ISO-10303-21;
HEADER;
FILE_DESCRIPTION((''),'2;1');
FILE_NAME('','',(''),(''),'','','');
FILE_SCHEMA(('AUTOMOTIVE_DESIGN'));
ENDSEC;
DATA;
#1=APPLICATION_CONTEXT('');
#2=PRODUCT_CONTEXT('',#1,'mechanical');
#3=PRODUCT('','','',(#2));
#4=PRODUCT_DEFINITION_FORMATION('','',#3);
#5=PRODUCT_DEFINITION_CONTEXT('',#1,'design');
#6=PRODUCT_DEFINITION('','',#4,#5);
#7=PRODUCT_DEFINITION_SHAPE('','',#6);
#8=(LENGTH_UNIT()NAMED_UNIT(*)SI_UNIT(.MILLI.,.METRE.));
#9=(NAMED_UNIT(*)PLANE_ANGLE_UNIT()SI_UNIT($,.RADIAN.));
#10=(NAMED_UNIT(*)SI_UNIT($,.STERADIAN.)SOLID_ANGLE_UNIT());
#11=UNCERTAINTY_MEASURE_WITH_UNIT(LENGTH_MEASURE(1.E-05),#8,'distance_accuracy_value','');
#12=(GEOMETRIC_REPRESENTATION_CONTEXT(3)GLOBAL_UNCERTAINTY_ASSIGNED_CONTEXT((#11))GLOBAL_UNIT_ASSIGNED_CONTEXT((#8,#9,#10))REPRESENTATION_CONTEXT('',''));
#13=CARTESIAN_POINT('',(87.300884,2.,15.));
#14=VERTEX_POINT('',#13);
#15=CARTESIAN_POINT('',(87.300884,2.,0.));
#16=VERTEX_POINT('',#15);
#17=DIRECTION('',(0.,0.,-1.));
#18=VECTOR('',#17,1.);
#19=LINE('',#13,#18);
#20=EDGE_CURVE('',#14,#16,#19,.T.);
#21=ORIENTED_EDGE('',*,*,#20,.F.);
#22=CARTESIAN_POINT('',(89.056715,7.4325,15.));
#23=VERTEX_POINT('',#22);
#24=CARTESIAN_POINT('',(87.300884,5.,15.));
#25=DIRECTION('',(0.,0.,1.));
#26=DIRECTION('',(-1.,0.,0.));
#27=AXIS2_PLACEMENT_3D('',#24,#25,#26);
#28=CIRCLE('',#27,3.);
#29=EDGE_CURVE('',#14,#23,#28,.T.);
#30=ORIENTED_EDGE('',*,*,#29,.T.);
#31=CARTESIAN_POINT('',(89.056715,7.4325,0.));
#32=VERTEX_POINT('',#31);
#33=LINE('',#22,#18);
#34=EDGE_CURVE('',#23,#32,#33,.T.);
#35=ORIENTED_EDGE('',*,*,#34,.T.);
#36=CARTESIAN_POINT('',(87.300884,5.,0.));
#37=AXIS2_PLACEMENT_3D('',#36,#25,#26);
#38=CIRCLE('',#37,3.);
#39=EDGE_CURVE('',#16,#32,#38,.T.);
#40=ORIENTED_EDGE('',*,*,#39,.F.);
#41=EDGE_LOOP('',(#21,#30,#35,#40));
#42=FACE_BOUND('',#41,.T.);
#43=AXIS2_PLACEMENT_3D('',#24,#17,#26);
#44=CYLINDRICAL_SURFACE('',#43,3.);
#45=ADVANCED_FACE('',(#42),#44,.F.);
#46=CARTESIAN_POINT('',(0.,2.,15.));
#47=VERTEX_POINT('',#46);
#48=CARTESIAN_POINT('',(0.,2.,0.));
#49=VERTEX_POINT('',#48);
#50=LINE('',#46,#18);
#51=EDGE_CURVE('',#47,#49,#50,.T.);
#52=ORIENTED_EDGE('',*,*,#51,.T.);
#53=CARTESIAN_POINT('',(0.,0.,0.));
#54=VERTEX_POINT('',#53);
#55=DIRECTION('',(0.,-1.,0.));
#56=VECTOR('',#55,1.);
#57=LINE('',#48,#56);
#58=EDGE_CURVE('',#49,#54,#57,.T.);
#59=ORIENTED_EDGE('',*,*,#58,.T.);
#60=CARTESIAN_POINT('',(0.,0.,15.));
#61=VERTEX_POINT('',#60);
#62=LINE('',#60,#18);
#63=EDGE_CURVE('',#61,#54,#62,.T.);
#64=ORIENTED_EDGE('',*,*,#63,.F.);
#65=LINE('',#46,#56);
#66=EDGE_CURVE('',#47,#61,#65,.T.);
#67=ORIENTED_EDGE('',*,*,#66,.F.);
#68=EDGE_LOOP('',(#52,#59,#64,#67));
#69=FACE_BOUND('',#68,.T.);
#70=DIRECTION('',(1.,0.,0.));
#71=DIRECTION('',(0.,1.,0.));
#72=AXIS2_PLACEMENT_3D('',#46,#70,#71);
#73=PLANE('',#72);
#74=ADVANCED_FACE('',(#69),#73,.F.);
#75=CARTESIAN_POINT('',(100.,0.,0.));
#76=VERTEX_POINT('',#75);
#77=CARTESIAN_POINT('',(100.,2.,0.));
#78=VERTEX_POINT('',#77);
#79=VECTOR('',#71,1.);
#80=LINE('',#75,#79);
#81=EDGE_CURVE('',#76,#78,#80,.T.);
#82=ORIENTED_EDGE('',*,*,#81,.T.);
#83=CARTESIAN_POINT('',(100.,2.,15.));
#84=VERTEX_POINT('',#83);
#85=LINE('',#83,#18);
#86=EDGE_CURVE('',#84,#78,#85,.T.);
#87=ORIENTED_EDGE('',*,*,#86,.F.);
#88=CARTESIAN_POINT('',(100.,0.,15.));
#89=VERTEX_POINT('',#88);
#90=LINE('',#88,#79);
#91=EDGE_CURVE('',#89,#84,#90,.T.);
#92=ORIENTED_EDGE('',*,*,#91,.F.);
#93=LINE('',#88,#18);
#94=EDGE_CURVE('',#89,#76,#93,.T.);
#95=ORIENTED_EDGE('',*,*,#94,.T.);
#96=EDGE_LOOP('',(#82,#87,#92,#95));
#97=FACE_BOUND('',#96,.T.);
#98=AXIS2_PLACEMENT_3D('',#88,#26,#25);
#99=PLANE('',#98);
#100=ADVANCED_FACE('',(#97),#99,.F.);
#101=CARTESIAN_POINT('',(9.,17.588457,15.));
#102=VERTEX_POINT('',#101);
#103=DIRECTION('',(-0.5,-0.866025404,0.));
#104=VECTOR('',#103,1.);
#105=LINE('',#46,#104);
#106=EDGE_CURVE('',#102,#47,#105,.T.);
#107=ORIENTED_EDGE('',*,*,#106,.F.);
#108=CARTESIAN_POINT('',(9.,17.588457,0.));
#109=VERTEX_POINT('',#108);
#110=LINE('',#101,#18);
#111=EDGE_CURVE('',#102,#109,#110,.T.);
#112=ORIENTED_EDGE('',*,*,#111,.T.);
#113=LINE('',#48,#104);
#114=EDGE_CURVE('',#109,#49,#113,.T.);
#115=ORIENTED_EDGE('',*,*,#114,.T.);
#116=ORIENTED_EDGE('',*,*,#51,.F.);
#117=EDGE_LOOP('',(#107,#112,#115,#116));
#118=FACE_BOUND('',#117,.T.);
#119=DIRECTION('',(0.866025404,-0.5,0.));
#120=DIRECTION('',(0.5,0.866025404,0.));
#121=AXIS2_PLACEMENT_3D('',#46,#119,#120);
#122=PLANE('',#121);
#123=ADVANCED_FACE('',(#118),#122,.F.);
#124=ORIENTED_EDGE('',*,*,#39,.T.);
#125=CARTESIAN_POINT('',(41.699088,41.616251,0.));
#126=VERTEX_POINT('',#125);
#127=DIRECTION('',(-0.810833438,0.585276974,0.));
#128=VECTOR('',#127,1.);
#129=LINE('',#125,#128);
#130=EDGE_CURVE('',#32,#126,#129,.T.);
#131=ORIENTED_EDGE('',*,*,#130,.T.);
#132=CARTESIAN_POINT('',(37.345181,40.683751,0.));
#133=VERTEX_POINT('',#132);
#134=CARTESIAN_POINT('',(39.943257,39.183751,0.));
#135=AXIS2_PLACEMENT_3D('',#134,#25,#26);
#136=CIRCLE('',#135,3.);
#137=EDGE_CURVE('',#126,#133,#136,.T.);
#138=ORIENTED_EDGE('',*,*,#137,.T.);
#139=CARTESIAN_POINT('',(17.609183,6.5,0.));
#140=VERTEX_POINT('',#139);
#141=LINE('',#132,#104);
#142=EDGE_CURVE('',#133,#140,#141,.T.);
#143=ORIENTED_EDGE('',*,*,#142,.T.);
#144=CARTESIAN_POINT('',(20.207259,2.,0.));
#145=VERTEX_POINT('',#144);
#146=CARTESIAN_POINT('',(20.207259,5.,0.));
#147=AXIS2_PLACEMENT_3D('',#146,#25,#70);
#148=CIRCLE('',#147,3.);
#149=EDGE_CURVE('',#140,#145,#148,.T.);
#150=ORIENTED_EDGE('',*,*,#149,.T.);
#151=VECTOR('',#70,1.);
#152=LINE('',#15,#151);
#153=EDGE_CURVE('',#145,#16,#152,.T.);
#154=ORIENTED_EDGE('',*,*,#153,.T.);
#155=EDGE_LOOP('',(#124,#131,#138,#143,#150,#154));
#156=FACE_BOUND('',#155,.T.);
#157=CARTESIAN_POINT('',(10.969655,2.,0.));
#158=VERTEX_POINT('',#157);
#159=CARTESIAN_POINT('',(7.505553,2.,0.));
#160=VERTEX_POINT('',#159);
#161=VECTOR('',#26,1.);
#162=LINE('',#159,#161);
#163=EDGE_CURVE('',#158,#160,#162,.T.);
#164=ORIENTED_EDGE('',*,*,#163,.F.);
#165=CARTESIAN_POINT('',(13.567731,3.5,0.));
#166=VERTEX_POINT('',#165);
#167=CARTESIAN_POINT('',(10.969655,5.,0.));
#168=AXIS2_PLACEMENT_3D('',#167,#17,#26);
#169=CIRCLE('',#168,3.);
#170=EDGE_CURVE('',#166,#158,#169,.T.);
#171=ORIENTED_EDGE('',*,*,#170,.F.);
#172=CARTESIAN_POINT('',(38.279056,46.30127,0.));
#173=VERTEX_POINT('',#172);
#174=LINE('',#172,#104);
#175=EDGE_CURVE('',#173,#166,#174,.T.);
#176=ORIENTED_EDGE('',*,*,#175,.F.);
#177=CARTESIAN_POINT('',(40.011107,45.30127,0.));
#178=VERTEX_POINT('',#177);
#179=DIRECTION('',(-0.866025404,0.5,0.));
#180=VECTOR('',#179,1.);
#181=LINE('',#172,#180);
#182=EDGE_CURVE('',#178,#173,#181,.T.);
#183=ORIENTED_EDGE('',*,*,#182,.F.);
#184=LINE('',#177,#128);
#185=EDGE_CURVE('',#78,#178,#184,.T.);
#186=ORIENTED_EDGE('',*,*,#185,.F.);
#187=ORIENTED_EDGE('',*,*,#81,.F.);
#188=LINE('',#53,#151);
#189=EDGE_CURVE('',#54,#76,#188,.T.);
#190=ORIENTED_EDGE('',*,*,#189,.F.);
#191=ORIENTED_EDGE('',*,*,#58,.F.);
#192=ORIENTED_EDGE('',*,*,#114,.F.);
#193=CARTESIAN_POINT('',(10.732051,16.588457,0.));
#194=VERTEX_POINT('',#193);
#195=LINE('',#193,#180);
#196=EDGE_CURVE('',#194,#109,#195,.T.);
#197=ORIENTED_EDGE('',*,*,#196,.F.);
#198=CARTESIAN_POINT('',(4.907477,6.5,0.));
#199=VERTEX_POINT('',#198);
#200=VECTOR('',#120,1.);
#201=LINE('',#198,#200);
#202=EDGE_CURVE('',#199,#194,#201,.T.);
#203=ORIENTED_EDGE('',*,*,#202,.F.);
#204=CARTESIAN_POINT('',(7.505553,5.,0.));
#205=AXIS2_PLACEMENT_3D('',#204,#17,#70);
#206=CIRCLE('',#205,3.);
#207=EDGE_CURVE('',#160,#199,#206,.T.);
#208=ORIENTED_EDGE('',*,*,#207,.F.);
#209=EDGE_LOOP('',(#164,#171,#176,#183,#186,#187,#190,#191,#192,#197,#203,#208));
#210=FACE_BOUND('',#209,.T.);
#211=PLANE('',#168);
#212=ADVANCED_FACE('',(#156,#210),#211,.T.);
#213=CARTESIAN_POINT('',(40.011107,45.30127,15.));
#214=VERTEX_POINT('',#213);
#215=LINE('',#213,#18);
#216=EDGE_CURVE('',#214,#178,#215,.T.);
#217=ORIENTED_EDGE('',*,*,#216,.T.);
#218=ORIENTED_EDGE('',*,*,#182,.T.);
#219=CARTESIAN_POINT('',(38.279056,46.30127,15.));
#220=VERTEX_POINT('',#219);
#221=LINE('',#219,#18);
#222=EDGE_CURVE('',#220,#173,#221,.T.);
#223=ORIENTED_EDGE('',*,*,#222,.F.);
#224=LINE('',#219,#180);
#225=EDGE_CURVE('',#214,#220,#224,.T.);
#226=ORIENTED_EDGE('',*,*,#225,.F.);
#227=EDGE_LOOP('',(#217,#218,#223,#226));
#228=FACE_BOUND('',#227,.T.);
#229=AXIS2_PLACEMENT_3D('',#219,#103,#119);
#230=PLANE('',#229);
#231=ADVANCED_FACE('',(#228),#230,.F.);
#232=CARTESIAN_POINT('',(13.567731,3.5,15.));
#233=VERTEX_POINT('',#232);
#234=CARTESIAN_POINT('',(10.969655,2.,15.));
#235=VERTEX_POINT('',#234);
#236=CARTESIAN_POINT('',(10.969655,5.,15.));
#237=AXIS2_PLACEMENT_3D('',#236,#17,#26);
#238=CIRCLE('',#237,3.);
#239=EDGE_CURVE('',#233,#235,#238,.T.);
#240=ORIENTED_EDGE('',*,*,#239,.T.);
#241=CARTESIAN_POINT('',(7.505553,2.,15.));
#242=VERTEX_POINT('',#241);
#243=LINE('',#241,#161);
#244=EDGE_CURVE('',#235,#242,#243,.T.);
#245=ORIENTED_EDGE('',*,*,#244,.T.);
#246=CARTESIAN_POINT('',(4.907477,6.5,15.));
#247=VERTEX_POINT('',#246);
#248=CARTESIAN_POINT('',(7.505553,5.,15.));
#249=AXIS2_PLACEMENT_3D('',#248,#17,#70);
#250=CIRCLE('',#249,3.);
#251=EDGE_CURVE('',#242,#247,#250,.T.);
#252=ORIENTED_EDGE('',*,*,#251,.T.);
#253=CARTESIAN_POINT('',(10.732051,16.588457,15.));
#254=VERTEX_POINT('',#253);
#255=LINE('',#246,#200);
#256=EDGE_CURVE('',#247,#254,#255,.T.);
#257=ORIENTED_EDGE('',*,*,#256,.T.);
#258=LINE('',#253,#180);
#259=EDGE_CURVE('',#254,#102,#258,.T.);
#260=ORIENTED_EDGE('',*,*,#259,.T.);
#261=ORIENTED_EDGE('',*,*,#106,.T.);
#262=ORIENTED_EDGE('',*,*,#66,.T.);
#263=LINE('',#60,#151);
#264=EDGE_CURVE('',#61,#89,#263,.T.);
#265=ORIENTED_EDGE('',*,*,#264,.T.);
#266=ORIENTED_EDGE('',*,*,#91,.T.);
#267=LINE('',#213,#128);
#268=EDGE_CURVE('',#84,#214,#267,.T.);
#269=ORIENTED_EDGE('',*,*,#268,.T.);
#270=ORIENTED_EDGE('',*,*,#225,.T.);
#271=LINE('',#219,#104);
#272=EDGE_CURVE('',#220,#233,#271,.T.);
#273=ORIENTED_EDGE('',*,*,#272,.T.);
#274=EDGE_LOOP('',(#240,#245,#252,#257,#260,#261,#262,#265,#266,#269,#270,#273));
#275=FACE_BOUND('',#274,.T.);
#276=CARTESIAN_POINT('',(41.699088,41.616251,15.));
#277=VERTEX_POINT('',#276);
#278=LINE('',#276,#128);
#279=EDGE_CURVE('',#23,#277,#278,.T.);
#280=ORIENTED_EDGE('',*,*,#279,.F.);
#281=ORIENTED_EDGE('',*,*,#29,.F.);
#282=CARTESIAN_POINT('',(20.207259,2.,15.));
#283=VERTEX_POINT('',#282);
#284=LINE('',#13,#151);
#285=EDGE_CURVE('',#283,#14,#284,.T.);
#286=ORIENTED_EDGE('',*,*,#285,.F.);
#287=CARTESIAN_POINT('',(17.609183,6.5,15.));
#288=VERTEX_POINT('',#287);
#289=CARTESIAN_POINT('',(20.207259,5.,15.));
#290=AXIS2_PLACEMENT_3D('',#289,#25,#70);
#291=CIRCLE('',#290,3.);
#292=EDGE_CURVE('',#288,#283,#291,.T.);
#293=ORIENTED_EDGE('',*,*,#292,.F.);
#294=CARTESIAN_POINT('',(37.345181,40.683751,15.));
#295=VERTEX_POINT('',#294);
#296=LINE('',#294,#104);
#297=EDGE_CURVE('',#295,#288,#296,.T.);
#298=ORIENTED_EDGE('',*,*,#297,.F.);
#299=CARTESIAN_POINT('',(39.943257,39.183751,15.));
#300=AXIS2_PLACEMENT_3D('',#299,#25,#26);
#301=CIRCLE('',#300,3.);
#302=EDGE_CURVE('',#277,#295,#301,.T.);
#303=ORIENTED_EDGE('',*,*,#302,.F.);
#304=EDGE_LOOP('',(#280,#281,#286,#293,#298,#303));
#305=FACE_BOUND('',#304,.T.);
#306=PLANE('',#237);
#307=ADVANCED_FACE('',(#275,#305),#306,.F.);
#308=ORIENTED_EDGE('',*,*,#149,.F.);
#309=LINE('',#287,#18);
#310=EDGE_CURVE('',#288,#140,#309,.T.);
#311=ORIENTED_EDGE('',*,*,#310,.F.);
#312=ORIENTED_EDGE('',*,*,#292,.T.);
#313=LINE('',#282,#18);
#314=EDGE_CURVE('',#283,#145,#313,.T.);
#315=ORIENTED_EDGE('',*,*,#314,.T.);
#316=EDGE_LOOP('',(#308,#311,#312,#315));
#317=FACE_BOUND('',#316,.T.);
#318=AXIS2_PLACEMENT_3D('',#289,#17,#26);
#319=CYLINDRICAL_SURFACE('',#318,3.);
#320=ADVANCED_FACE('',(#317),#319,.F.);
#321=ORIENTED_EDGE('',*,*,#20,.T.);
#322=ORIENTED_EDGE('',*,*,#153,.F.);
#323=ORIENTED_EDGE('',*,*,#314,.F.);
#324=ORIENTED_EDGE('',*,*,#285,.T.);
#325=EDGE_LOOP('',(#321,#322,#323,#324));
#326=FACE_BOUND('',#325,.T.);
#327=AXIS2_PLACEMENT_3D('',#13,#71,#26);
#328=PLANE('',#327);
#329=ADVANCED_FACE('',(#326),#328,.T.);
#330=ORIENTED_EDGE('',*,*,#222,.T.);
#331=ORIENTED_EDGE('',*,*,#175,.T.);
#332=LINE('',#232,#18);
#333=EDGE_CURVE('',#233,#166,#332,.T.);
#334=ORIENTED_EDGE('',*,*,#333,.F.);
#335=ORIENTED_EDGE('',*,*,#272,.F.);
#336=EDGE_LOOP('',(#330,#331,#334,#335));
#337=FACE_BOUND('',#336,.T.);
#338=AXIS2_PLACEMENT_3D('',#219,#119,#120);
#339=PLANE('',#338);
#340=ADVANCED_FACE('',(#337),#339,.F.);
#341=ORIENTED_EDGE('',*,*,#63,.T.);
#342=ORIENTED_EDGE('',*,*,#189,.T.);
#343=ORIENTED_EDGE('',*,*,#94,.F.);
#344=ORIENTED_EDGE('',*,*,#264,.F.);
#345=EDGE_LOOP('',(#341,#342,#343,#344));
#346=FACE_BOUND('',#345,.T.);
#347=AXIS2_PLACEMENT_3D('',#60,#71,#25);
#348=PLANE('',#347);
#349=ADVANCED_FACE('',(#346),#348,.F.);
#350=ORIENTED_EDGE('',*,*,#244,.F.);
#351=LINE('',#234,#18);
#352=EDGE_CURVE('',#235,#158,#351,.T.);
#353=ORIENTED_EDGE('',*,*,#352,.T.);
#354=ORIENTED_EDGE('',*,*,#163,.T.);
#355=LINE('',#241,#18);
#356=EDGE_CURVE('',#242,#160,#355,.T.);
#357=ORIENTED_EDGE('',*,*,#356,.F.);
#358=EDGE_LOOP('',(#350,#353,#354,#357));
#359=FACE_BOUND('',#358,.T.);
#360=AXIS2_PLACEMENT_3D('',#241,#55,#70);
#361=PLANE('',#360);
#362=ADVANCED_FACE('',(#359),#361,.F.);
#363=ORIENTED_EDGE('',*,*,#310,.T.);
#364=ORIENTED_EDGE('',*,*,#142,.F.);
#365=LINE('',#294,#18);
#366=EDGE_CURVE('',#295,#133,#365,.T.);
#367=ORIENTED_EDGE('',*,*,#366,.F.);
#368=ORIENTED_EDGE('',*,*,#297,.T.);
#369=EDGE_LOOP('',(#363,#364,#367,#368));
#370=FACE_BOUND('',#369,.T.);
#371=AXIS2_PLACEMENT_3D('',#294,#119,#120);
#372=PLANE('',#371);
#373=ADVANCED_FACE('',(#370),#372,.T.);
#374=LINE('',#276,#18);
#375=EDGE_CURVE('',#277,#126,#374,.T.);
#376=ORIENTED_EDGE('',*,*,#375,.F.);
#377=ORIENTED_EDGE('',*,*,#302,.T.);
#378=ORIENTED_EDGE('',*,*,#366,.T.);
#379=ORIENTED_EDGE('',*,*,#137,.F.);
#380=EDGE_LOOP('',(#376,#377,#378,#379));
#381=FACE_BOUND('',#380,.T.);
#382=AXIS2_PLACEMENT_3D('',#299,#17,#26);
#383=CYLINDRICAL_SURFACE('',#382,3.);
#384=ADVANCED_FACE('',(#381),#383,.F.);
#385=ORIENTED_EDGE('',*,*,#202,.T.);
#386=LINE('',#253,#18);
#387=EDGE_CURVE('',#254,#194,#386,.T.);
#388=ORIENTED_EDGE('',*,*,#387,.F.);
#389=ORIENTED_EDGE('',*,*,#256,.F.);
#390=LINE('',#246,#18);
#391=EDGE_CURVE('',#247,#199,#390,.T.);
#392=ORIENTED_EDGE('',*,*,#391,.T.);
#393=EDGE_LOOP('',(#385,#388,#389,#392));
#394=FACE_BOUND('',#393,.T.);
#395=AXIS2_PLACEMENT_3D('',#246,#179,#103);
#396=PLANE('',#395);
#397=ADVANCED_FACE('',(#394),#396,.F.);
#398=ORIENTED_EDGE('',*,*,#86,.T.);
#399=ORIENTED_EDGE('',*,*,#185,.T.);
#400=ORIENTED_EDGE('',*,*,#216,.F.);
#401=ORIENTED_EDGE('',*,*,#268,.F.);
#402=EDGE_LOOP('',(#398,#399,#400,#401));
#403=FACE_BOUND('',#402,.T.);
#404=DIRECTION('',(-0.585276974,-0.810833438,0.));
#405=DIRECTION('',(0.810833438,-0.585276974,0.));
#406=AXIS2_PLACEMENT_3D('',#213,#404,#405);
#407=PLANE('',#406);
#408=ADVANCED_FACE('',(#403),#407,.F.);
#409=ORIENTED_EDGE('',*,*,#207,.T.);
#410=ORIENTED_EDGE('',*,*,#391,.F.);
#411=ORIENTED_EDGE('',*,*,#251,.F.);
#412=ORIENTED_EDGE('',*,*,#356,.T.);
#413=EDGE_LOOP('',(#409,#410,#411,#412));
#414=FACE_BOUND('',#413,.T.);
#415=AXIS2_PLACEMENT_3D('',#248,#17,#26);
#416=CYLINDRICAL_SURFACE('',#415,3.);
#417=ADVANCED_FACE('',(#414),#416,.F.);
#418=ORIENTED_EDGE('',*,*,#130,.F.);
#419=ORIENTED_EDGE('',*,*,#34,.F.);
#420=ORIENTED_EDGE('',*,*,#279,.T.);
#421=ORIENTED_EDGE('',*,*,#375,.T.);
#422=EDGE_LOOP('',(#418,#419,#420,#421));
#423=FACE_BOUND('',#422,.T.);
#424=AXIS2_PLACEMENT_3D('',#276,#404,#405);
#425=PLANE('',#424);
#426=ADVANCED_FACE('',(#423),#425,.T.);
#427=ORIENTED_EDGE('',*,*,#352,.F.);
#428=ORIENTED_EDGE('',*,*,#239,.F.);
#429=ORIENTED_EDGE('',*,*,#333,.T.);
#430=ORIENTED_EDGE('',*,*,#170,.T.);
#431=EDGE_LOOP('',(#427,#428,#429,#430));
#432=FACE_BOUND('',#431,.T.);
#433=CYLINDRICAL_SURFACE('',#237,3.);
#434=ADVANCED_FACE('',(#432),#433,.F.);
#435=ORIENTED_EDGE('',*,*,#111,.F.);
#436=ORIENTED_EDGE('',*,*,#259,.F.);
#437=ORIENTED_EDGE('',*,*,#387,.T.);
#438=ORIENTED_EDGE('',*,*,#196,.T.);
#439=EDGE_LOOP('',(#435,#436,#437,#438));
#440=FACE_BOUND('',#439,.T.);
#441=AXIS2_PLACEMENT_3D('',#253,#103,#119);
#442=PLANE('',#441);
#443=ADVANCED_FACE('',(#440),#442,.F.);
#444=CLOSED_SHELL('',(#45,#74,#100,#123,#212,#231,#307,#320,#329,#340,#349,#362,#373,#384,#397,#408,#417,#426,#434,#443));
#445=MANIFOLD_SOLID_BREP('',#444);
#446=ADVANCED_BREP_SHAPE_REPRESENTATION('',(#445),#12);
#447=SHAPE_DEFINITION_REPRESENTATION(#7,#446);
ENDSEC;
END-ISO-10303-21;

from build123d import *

# Parameters (mm, degrees)
BOSS_EXTRUDE1_DEPTH = 15


with BuildPart() as part:
    # Sketch1 → Boss-Extrude1 (new body)
    with BuildSketch(Plane.XY):
        with BuildLine():
            Line((0, 0), (100, 0))
            Line((100, 0), (100, 2))
            Line((100, 2), (40.011106999, 45.301270189))
            Line((40.011106999, 45.301270189), (38.279056191, 46.301270189))
            Line((38.279056191, 46.301270189), (13.567731326, 3.5))
            ThreePointArc((13.567731326, 3.5), (12.469655115, 2.401923789), (10.969655115, 2))
            Line((10.969655115, 2), (7.505553499, 2))
            ThreePointArc((7.505553499, 2), (4.907477288, 3.5), (4.907477288, 6.5))
            Line((4.907477288, 6.5), (10.732050808, 16.588457268))
            Line((10.732050808, 16.588457268), (9, 17.588457268))
            Line((9, 17.588457268), (0, 2))
            Line((0, 2), (0, 0))
        make_face()
        with BuildLine():
            Line((87.30088378, 2), (20.207259422, 2))
            ThreePointArc((20.207259422, 2), (17.60918321, 3.5), (17.60918321, 6.5))
            Line((17.60918321, 6.5), (37.345181053, 40.683751002))
            ThreePointArc((37.345181053, 40.683751002), (39.31497907, 42.117224457), (41.699088187, 41.616251315))
            Line((41.699088187, 41.616251315), (89.056714702, 7.432500313))
            ThreePointArc((89.056714702, 7.432500313), (90.15548541, 4.07736815), (87.30088378, 2))
        make_face(mode=Mode.SUBTRACT)
    extrude(amount=BOSS_EXTRUDE1_DEPTH)


solid = part.part
